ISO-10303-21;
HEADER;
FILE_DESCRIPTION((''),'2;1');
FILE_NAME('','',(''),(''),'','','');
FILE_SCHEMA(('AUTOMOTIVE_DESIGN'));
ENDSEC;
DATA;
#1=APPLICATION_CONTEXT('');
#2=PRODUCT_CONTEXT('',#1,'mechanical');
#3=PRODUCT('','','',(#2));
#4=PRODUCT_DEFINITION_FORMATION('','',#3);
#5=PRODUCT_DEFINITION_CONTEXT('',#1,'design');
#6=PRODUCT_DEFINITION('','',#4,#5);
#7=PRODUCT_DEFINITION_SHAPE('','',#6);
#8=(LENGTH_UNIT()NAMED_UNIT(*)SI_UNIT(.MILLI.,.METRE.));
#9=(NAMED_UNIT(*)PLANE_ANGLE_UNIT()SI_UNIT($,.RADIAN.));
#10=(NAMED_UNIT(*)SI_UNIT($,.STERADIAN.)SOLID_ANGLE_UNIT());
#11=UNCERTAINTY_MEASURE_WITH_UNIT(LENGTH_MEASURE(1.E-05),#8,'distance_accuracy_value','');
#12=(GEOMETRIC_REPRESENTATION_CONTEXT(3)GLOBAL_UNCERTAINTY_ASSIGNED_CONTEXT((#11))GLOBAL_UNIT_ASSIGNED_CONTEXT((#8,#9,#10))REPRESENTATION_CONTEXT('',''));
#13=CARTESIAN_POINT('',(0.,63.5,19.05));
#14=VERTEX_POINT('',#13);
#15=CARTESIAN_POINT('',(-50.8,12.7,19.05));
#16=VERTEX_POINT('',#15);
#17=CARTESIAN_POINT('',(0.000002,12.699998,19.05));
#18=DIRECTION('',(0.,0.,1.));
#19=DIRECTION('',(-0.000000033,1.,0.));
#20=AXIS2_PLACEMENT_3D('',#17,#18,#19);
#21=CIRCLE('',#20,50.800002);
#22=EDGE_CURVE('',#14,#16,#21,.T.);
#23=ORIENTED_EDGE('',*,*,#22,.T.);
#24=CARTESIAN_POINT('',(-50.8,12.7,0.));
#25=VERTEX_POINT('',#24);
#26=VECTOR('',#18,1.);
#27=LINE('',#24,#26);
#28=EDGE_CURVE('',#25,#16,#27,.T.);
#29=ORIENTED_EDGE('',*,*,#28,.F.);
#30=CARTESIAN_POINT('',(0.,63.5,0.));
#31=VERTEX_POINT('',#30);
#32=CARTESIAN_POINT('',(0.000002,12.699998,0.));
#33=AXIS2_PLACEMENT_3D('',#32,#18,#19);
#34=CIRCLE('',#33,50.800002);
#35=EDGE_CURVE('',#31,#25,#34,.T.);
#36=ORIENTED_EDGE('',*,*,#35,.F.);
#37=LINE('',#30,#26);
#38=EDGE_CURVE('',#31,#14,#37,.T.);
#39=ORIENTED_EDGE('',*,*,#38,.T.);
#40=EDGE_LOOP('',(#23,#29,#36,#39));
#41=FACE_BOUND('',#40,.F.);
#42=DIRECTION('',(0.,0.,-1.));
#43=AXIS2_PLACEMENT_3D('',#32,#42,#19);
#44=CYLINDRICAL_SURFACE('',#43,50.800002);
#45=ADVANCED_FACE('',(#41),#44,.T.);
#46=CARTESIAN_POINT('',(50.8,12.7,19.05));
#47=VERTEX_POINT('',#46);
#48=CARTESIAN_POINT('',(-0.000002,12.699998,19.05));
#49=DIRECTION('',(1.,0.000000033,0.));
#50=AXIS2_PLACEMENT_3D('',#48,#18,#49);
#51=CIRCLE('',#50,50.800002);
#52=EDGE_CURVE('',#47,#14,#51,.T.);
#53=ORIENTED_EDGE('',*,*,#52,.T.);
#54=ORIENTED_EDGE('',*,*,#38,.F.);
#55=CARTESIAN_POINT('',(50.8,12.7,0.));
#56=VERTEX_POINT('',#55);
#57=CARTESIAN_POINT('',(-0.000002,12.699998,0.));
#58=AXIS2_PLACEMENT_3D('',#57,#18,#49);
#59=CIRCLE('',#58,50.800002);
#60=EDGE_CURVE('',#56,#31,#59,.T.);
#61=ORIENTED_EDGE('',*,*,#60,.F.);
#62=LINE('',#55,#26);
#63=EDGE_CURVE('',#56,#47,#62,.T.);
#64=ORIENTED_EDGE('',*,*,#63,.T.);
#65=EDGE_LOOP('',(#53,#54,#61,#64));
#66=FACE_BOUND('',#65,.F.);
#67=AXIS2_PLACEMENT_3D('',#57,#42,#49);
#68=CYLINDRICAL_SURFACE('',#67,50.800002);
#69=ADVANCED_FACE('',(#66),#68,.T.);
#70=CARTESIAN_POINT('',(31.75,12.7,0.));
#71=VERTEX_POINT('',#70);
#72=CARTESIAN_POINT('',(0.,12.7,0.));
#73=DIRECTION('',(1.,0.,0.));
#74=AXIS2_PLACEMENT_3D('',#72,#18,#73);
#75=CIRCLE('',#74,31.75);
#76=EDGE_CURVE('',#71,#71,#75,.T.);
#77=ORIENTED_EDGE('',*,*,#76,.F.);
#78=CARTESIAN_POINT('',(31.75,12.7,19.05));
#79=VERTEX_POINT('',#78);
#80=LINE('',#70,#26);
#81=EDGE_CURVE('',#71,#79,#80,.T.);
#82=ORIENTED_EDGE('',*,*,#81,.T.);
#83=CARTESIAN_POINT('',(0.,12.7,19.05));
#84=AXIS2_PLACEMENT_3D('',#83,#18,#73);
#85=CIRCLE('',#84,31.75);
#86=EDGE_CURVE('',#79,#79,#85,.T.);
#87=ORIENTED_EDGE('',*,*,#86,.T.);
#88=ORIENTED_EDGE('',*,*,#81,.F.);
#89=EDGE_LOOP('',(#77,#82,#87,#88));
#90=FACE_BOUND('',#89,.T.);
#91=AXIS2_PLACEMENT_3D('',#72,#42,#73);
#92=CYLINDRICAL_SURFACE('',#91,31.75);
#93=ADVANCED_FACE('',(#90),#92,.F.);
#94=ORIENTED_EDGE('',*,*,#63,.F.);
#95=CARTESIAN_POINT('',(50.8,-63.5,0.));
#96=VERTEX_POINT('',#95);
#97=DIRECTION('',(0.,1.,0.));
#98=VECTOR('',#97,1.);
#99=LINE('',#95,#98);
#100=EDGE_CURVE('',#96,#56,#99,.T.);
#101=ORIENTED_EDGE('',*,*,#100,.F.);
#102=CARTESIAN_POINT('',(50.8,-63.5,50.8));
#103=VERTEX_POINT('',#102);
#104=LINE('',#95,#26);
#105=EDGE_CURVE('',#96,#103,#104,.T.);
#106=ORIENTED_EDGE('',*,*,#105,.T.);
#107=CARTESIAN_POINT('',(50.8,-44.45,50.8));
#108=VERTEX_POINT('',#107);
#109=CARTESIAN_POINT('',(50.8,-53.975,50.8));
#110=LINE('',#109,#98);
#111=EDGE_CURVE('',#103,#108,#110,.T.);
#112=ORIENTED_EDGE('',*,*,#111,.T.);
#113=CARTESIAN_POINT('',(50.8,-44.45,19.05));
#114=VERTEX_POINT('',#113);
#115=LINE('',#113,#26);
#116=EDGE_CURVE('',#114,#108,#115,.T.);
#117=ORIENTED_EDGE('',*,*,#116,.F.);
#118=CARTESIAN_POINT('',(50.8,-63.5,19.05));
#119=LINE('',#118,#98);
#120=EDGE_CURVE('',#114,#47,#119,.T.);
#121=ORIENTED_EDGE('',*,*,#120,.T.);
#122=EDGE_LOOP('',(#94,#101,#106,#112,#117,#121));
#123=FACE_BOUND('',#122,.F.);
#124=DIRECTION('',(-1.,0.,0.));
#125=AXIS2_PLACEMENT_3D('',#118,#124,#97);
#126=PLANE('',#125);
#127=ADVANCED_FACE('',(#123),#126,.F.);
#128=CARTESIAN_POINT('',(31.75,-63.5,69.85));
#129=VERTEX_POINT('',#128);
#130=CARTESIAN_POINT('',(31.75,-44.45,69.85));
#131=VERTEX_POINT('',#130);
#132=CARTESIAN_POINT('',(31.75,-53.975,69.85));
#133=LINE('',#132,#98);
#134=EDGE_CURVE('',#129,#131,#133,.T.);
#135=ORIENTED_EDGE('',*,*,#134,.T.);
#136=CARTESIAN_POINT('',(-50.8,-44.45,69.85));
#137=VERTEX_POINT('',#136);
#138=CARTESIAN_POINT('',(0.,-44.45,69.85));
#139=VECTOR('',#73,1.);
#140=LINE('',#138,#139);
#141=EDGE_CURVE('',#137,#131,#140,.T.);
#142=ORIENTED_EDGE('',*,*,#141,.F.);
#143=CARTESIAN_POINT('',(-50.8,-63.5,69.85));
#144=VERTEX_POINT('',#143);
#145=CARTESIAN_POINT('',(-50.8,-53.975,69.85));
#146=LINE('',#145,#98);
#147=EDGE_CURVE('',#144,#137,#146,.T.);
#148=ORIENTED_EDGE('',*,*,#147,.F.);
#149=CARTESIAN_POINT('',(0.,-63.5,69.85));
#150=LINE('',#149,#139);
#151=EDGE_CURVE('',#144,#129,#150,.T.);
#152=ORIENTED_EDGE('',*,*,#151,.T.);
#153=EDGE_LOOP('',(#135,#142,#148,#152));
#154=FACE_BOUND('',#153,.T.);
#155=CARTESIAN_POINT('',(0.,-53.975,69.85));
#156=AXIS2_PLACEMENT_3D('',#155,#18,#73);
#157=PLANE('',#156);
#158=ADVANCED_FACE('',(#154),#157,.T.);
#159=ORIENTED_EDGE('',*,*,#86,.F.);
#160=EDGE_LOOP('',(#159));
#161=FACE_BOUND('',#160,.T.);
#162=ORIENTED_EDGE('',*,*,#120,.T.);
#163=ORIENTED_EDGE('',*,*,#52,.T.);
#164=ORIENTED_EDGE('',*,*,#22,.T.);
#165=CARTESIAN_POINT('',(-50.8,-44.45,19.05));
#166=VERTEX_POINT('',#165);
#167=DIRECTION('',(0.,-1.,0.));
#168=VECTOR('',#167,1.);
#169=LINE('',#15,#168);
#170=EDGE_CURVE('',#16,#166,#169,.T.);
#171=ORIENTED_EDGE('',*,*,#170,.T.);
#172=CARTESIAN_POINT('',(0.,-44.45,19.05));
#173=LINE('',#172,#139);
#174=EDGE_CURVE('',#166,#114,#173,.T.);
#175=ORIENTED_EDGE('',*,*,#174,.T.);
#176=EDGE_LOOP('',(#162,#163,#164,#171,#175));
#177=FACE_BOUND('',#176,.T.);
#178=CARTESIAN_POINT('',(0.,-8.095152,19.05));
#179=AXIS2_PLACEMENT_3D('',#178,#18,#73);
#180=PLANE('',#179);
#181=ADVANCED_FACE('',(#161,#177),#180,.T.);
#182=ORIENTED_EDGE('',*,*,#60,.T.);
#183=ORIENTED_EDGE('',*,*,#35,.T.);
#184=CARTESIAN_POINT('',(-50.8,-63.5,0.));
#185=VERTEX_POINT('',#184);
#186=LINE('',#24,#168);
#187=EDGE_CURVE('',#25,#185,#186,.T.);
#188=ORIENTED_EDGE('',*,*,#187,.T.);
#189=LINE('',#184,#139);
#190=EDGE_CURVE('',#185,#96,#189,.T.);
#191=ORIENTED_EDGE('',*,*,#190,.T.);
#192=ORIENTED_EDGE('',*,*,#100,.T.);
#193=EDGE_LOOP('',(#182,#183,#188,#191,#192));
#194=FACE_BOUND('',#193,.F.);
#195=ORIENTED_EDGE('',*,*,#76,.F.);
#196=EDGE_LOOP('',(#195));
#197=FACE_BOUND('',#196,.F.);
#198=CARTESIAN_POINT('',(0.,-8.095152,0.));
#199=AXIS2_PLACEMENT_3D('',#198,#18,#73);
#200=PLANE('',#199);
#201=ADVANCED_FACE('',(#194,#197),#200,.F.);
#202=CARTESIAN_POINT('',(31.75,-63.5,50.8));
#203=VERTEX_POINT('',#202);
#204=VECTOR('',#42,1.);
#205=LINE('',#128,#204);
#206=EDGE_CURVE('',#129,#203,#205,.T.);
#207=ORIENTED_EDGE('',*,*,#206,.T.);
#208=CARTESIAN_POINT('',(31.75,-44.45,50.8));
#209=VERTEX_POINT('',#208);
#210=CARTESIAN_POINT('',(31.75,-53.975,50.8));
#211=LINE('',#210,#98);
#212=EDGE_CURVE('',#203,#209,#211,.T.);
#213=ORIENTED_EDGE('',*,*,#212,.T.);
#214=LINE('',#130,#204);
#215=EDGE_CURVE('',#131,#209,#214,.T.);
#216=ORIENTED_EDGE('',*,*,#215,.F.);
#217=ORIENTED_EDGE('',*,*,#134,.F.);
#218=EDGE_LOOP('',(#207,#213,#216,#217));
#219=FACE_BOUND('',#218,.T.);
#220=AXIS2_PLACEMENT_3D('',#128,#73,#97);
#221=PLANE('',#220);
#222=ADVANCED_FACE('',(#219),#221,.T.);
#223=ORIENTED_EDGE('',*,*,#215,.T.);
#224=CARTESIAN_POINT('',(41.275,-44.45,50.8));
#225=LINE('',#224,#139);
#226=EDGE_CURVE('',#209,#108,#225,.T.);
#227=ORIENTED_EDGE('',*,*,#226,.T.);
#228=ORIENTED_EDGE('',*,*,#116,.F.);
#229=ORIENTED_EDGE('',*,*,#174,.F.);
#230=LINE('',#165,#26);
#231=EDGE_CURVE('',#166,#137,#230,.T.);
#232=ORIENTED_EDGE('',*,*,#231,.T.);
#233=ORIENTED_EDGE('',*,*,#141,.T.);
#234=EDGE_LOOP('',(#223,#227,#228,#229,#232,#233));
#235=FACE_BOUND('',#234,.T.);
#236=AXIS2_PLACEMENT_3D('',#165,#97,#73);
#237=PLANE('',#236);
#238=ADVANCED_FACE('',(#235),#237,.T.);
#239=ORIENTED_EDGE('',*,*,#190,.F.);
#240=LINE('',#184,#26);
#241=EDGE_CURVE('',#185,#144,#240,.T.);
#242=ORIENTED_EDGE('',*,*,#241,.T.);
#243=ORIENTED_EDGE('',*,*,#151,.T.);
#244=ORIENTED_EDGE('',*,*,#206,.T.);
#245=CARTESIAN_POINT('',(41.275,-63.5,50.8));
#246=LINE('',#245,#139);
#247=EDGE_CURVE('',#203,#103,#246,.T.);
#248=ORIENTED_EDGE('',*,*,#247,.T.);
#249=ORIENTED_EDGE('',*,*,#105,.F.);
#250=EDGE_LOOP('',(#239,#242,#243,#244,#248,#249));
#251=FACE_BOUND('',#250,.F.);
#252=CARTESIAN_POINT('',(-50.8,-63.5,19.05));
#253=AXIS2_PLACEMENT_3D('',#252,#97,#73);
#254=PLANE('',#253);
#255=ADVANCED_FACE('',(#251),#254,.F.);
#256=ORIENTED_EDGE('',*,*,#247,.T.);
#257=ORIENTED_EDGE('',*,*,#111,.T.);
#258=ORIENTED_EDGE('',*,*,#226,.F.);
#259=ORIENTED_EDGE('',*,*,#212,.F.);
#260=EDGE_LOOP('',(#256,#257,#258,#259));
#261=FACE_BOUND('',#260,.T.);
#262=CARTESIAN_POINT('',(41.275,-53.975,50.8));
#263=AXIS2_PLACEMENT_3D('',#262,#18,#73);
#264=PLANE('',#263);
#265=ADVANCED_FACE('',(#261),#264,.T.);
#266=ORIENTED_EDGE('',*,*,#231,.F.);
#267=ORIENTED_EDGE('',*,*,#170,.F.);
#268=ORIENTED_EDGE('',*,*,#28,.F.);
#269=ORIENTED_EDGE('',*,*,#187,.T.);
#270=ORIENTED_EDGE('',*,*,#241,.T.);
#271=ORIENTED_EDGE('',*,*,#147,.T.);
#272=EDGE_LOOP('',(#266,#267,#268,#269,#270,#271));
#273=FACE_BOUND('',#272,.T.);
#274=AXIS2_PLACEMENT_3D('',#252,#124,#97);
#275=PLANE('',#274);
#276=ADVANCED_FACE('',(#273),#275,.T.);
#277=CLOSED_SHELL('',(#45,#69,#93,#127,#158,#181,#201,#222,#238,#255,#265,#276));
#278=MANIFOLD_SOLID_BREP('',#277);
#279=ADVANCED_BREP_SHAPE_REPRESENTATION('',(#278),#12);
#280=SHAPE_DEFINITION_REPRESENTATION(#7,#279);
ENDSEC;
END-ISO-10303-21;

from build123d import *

# Parameters (mm, degrees)
F0_R     = 31.75
F1_DEPTH = 19.05
F2_W     = 101.6
F2_H     = 19.05
F3_DEPTH = 50.8
F4_W     = 19.05
F4_H     = 19.05
F5_DEPTH = 19.05


with BuildPart() as f1:
    # F0 (on Top) → F1 (new body)
    with BuildSketch(Plane.XY):
        with BuildLine():
            ThreePointArc((50.8, 12.7), (35.921024, 48.621024), (0, 63.5))
            ThreePointArc((0, 63.5), (-35.921024, 48.621024), (-50.8, 12.7))
            Line((-50.8, 12.7), (-50.8, -63.5))
            Line((-50.8, -63.5), (50.8, -63.5))
            Line((50.8, -63.5), (50.8, 12.7))
        make_face()
        with Locations((0, 12.7)):
            Circle(F0_R, mode=Mode.SUBTRACT)
    extrude(amount=F1_DEPTH)

    # F2 (on face) → F3 (join)
    with BuildSketch(Plane.XY.offset(19.05)):
        with Locations((0, -53.975)):
            Rectangle(F2_W, F2_H)
    extrude(amount=F3_DEPTH)

    # F4 (on face) → F5 (cut)
    with BuildSketch(Plane.XY.offset(69.85)):
        with Locations((41.275, -53.975)):
            Rectangle(F4_W, F4_H)
    extrude(amount=-F5_DEPTH, mode=Mode.SUBTRACT)


solid = f1.part
